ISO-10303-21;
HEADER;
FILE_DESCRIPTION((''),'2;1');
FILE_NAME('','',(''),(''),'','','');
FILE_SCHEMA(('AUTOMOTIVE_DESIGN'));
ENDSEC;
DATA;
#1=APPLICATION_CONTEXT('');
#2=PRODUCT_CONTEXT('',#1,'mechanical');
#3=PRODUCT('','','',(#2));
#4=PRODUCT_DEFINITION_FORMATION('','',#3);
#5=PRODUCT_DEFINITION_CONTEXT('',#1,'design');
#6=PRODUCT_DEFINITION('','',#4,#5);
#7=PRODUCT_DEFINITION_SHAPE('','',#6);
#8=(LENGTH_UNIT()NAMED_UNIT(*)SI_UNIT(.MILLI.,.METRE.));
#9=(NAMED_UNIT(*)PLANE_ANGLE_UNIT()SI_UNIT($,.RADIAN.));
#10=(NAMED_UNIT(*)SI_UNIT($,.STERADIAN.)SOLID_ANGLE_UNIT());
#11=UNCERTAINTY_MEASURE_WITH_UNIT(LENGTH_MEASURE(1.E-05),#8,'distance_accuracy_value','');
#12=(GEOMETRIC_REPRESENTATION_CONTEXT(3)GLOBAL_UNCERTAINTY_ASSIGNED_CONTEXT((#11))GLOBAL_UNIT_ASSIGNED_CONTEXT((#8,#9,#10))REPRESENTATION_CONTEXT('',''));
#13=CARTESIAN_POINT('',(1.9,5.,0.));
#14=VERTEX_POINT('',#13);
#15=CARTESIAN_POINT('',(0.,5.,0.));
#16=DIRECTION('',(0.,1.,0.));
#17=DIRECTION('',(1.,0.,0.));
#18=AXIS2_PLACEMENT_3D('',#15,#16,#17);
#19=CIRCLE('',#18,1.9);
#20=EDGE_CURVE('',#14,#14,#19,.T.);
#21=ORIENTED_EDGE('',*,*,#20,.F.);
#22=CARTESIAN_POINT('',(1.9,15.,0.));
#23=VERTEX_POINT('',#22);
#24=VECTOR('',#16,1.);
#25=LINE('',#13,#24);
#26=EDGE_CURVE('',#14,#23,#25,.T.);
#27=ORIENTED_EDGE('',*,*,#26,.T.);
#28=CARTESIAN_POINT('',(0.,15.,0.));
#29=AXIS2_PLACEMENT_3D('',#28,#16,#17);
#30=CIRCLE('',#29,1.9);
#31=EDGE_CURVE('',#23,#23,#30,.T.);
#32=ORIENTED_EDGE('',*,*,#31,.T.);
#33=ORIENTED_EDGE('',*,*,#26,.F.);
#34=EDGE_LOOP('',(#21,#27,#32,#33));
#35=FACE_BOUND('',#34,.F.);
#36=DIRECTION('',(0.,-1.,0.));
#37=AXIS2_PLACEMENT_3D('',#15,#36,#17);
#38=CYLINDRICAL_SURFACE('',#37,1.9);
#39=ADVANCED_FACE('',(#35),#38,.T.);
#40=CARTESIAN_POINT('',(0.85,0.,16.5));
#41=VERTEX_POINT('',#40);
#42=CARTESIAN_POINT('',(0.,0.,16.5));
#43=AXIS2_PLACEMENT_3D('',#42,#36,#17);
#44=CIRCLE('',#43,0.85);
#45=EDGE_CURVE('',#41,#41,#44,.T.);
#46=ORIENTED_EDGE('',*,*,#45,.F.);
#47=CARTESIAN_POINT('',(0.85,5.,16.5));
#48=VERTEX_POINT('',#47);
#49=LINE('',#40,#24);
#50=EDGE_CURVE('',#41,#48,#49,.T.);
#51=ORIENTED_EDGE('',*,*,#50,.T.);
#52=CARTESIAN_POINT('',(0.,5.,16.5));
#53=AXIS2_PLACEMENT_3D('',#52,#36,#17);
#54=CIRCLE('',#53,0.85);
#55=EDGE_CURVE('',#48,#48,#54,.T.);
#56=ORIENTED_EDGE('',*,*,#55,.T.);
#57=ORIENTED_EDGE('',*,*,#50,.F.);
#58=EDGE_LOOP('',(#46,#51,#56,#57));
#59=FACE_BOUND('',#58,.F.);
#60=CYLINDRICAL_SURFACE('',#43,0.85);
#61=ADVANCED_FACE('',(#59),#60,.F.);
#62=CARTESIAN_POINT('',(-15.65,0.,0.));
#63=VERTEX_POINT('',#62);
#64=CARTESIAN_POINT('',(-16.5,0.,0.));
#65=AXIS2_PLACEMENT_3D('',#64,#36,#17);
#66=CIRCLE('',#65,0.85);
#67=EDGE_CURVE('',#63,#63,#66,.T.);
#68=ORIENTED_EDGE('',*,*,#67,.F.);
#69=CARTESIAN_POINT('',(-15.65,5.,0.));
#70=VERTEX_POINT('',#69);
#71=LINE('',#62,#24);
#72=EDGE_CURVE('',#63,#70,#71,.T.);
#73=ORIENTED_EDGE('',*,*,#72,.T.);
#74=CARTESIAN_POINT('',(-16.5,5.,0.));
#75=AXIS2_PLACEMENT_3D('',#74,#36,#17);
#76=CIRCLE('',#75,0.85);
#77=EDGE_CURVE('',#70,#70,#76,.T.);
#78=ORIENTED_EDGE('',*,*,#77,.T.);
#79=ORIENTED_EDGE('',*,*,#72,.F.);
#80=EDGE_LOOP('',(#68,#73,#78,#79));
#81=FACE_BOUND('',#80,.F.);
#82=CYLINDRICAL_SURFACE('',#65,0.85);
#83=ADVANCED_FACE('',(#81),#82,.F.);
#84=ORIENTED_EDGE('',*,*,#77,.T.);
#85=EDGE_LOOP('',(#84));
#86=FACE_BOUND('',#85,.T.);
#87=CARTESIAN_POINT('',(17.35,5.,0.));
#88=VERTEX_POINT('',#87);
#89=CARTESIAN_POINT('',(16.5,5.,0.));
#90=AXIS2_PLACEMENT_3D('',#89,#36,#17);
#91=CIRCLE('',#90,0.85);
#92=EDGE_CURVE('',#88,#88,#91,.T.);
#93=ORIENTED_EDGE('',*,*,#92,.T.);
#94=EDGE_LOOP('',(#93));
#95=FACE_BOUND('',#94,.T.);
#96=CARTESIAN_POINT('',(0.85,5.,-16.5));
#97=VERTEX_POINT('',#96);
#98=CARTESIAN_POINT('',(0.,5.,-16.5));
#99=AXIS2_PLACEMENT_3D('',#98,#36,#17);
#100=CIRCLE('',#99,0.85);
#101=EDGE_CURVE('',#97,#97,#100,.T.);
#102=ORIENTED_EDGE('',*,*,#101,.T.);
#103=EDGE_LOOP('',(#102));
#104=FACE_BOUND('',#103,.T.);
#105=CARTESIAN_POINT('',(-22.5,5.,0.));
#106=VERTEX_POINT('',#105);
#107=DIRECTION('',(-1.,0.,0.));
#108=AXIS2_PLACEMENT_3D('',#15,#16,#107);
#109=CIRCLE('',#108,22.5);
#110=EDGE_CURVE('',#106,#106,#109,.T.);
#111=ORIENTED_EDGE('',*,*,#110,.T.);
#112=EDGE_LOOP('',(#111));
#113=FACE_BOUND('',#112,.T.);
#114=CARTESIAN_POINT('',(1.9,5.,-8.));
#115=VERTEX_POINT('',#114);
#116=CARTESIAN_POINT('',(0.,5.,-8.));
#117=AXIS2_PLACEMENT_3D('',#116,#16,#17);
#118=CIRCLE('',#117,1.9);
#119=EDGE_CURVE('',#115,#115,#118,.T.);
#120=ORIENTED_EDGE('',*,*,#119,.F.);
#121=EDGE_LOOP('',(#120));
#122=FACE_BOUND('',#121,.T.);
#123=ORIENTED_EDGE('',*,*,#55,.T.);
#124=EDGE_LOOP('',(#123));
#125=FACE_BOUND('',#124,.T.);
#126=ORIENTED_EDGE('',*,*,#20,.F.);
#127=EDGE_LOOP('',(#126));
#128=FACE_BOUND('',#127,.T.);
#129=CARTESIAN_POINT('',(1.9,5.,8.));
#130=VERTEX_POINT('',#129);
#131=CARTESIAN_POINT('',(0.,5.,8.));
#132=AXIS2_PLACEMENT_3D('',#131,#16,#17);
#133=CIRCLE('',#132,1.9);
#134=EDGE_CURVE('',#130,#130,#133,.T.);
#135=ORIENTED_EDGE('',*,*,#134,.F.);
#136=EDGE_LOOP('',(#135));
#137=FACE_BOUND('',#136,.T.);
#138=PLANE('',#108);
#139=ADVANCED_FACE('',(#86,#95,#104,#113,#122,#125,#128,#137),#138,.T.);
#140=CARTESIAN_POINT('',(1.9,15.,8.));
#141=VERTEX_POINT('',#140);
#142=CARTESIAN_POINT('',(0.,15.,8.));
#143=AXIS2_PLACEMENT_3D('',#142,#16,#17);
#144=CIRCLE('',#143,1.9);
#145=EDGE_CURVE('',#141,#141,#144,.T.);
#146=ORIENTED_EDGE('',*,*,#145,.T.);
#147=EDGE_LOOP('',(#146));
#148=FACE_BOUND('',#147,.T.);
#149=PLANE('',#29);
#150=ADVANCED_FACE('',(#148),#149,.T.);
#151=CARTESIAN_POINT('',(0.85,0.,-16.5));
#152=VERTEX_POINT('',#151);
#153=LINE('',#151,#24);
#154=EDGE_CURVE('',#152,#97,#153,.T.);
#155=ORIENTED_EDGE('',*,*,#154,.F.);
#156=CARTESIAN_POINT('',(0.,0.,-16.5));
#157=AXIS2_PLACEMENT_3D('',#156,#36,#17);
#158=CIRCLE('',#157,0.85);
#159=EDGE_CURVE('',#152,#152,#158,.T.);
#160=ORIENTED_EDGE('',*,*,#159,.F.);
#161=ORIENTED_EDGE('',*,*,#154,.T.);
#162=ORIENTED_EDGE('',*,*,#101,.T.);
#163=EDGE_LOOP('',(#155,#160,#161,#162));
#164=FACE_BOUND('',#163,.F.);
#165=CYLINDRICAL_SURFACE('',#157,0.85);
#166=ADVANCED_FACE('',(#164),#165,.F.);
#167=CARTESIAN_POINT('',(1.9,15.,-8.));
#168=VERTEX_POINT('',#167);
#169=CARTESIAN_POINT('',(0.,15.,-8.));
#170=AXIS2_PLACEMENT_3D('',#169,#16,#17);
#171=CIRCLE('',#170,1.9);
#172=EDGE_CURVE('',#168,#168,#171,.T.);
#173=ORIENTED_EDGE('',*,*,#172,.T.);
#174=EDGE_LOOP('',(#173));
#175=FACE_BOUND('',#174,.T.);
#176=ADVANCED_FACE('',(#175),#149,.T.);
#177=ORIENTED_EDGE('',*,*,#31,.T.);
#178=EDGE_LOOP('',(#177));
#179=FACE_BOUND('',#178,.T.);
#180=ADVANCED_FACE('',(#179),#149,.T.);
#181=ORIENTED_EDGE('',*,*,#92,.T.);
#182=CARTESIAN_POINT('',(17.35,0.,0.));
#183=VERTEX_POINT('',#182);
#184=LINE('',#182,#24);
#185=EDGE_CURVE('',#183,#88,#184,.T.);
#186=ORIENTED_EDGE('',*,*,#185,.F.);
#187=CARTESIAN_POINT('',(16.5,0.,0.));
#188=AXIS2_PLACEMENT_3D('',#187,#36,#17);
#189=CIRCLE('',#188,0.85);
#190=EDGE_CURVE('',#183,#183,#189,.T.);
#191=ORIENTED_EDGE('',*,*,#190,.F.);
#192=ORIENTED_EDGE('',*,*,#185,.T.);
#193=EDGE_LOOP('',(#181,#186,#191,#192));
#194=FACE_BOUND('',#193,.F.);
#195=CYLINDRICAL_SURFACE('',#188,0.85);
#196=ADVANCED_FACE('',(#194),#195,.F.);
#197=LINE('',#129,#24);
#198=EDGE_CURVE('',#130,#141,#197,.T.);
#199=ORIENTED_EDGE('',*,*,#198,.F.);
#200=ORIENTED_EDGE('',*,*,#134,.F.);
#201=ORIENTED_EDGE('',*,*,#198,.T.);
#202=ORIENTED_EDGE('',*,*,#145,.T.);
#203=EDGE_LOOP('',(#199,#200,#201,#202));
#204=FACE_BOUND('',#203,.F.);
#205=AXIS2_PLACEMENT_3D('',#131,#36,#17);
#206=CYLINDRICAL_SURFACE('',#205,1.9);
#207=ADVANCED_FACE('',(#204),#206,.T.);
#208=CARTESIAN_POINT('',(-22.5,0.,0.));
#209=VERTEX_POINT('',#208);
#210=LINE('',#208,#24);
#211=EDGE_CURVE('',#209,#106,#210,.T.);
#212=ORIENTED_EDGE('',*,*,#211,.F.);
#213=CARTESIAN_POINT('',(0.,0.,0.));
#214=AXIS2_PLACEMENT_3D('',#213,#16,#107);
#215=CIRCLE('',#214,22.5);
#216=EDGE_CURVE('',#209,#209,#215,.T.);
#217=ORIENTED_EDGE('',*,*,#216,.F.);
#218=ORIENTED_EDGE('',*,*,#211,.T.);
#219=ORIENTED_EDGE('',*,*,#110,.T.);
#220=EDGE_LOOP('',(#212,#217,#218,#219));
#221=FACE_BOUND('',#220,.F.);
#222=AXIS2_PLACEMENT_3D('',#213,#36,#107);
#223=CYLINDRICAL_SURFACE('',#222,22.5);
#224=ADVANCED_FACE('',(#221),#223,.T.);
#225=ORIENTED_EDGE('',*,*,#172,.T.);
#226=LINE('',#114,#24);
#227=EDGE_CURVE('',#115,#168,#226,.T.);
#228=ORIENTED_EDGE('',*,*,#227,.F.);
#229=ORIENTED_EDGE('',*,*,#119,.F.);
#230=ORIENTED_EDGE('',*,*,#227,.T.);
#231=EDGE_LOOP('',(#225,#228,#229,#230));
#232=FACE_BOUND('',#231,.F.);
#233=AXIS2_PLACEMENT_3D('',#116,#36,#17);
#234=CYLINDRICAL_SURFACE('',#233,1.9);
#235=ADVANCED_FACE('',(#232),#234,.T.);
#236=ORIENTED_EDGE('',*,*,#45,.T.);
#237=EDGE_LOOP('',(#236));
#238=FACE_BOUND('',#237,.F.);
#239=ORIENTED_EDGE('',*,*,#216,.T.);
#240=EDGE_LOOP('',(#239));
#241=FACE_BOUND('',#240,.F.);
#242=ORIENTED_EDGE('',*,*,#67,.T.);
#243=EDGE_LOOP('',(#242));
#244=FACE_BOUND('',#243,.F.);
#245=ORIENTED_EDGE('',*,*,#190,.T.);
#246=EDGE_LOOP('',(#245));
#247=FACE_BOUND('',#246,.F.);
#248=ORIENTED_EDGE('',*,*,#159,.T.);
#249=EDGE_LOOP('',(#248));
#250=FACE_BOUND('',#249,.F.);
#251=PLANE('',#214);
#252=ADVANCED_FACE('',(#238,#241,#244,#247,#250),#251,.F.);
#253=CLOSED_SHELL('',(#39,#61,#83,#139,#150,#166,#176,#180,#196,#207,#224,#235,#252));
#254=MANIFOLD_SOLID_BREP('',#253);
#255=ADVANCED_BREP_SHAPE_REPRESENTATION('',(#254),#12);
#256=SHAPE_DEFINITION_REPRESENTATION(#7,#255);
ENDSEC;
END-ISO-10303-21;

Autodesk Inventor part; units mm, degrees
ref_plane "YZ Plane" through (0, 0, 0) normal (1, 0, 0) x (0, 1, 0)
ref_plane "XZ Plane" through (0, 0, 0) normal (0, 1, 0) x (-1, 0, 0)
ref_plane "XY Plane" through (0, 0, 0) normal (0, 0, 1) x (1, 0, 0)
sketch "Sketch1" plane through (0, 0, 0) normal (0, 1, 0) x (-1, 0, 0)
  circle A0 centre (0, 0) radius 22.5
  dimension "d0" = 45
extrude "Extrusion1" add sketch "Sketch1" along normal blind 5
sketch "Sketch2" plane through (0, 5, 0) normal (0, 1, 0) x (1, 0, 0)
  line L0 (0, 0) -> (0, 8) construction
  line L1 (0, 0) -> (0, -8) construction
  circle A0 centre (0, 8) radius 1.9
  circle A1 centre (0, 0) radius 1.9
  circle A2 centre (0, -8) radius 1.9
  dimension "d3" = 8
  dimension "d4" = 8
  dimension "d5" = 3.8
  dimension "d6" = 3.8
  dimension "d7" = 3.8
extrude "Extrusion2" add sketch "Sketch2" along normal blind 10
sketch "Sketch7" plane through (0, 0, 0) normal (0, -1, 0) x (1, 0, 0)
  circle A0 centre (0, 0) radius 16.5 construction
  circle A1 centre (0, 16.5) radius 0.85
  circle A2 centre (16.5, 0) radius 0.85
  circle A3 centre (-16.5, 0) radius 0.85
  circle A4 centre (0, -16.5) radius 0.85
  dimension "d42" = 33
  dimension "d43" = 1.7
  dimension "d44" = 1.7
  dimension "d45" = 1.7
  dimension "d46" = 1.7
extrude "Extrusion6" cut sketch "Sketch7" against normal blind 5
properties part number "Motor Mount Barebones"
